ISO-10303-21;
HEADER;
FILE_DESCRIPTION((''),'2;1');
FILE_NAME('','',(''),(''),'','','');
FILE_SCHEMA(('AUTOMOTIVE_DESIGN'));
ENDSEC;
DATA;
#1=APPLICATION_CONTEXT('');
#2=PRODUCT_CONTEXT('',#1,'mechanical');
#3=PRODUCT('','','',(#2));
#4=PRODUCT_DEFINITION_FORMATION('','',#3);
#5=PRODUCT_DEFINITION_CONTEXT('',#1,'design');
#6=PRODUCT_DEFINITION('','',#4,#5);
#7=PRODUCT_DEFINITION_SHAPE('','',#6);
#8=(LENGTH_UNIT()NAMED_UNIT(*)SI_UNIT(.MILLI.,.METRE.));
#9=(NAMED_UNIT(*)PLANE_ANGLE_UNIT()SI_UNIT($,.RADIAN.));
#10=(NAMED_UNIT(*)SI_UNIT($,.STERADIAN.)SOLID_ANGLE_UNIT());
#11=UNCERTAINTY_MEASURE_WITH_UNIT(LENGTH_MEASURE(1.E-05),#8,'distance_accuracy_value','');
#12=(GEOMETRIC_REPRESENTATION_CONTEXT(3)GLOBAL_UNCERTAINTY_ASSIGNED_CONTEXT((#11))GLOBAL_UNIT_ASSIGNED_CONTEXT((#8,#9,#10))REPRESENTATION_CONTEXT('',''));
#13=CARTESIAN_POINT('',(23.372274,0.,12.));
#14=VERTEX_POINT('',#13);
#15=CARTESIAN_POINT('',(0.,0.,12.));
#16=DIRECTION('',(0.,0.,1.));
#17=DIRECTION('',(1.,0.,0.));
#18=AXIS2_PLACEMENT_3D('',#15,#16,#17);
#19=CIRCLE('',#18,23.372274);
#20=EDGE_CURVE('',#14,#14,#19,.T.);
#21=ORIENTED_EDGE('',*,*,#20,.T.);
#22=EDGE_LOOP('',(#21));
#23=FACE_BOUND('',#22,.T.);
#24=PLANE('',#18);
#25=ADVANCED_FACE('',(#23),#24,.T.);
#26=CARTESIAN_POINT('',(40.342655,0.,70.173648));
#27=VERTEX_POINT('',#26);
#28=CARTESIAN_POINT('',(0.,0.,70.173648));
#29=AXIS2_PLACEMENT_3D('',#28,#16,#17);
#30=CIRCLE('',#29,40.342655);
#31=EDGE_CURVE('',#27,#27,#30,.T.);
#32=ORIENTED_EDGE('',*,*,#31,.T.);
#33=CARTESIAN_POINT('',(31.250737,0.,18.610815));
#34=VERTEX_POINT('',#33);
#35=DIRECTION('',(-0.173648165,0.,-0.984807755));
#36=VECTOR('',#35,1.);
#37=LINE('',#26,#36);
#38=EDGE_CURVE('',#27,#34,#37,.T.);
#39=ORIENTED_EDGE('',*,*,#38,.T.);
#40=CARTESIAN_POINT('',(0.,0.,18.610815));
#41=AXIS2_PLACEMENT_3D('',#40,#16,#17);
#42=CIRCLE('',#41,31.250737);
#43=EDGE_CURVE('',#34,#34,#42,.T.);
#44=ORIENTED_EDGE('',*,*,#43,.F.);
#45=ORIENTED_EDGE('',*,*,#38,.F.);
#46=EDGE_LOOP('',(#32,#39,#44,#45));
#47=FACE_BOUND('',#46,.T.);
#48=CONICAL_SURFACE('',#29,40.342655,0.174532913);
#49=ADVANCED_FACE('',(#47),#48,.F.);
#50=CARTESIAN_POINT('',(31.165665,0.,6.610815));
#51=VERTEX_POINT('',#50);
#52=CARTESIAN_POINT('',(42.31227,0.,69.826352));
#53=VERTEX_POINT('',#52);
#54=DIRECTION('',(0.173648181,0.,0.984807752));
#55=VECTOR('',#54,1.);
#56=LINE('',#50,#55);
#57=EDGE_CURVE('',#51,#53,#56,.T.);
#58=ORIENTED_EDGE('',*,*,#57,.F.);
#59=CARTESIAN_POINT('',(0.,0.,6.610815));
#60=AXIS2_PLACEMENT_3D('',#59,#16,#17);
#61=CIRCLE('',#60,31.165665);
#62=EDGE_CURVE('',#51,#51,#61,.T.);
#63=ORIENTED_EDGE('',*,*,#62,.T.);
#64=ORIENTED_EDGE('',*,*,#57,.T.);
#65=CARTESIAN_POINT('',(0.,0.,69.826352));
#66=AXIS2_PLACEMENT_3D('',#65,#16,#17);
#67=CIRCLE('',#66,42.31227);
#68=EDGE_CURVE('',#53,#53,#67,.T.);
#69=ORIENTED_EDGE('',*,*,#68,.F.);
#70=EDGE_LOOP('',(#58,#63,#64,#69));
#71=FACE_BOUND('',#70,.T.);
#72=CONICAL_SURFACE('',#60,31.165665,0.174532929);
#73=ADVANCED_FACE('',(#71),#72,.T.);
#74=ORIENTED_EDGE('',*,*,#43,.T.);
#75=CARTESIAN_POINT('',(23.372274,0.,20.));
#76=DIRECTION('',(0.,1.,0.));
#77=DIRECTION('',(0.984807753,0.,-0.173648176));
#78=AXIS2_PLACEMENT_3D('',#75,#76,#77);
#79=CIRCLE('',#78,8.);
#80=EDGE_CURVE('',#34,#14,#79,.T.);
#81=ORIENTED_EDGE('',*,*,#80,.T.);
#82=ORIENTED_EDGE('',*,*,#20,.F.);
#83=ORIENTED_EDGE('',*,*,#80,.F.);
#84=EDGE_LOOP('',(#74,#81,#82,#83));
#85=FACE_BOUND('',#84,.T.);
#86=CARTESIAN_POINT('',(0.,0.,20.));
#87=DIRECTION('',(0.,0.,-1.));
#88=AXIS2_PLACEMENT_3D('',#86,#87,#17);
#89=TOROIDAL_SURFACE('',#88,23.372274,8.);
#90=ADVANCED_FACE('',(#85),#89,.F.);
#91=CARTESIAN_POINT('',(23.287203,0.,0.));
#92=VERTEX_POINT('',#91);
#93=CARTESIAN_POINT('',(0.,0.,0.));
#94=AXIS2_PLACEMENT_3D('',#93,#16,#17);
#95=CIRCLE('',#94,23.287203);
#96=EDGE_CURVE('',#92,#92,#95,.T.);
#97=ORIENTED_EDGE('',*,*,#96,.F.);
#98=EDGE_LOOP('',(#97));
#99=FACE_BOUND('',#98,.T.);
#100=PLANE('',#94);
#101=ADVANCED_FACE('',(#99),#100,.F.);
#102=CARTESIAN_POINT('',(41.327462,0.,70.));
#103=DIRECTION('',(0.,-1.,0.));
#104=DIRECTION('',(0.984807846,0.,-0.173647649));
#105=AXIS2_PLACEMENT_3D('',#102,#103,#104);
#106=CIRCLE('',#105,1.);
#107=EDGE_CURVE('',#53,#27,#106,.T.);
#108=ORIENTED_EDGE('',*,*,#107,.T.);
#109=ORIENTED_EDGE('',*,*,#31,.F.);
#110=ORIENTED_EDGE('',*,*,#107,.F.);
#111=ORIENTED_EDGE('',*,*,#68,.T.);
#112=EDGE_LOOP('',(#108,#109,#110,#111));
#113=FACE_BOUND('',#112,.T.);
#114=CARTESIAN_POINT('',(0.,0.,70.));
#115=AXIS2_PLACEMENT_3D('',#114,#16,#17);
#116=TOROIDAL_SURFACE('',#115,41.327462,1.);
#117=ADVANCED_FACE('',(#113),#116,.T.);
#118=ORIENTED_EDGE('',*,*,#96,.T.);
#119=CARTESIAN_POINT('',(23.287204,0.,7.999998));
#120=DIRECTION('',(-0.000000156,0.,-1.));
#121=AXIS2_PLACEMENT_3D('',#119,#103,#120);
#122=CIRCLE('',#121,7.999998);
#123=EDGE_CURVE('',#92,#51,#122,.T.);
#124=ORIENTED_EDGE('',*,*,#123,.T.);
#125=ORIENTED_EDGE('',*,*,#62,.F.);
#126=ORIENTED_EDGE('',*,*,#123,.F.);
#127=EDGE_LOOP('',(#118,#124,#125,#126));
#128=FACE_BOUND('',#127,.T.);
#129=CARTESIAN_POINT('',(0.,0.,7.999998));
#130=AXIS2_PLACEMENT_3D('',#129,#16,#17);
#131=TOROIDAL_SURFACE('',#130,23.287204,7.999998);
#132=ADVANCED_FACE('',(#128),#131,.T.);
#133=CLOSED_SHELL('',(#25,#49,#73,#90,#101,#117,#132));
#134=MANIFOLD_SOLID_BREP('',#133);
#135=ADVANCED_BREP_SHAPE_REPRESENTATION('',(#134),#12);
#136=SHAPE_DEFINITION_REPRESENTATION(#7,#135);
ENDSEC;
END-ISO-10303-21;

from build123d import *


with BuildPart() as f1:
    # F0 (on Front) → F1 (revolve)
    with BuildSketch(Plane.XZ):
        with BuildLine():
            Line((0, 12), (0, 0))
            Line((0, 0), (23.287203, 0))
            ThreePointArc((23.287203, 0), (28.429504, 1.871644), (31.165665, 6.610815))
            Line((31.165665, 6.610815), (42.31227, 69.826352))
            ThreePointArc((42.31227, 69.826352), (41.501111, 70.984807), (40.342655, 70.173648))
            Line((40.342655, 70.173648), (31.250737, 18.610815))
            ThreePointArc((31.250737, 18.610815), (28.514575, 13.871644), (23.372274, 12))
            Line((23.372274, 12), (0, 12))
        make_face()
    revolve(axis=Axis((0, 0, 6), (0, 0, 1)))


solid = f1.part
